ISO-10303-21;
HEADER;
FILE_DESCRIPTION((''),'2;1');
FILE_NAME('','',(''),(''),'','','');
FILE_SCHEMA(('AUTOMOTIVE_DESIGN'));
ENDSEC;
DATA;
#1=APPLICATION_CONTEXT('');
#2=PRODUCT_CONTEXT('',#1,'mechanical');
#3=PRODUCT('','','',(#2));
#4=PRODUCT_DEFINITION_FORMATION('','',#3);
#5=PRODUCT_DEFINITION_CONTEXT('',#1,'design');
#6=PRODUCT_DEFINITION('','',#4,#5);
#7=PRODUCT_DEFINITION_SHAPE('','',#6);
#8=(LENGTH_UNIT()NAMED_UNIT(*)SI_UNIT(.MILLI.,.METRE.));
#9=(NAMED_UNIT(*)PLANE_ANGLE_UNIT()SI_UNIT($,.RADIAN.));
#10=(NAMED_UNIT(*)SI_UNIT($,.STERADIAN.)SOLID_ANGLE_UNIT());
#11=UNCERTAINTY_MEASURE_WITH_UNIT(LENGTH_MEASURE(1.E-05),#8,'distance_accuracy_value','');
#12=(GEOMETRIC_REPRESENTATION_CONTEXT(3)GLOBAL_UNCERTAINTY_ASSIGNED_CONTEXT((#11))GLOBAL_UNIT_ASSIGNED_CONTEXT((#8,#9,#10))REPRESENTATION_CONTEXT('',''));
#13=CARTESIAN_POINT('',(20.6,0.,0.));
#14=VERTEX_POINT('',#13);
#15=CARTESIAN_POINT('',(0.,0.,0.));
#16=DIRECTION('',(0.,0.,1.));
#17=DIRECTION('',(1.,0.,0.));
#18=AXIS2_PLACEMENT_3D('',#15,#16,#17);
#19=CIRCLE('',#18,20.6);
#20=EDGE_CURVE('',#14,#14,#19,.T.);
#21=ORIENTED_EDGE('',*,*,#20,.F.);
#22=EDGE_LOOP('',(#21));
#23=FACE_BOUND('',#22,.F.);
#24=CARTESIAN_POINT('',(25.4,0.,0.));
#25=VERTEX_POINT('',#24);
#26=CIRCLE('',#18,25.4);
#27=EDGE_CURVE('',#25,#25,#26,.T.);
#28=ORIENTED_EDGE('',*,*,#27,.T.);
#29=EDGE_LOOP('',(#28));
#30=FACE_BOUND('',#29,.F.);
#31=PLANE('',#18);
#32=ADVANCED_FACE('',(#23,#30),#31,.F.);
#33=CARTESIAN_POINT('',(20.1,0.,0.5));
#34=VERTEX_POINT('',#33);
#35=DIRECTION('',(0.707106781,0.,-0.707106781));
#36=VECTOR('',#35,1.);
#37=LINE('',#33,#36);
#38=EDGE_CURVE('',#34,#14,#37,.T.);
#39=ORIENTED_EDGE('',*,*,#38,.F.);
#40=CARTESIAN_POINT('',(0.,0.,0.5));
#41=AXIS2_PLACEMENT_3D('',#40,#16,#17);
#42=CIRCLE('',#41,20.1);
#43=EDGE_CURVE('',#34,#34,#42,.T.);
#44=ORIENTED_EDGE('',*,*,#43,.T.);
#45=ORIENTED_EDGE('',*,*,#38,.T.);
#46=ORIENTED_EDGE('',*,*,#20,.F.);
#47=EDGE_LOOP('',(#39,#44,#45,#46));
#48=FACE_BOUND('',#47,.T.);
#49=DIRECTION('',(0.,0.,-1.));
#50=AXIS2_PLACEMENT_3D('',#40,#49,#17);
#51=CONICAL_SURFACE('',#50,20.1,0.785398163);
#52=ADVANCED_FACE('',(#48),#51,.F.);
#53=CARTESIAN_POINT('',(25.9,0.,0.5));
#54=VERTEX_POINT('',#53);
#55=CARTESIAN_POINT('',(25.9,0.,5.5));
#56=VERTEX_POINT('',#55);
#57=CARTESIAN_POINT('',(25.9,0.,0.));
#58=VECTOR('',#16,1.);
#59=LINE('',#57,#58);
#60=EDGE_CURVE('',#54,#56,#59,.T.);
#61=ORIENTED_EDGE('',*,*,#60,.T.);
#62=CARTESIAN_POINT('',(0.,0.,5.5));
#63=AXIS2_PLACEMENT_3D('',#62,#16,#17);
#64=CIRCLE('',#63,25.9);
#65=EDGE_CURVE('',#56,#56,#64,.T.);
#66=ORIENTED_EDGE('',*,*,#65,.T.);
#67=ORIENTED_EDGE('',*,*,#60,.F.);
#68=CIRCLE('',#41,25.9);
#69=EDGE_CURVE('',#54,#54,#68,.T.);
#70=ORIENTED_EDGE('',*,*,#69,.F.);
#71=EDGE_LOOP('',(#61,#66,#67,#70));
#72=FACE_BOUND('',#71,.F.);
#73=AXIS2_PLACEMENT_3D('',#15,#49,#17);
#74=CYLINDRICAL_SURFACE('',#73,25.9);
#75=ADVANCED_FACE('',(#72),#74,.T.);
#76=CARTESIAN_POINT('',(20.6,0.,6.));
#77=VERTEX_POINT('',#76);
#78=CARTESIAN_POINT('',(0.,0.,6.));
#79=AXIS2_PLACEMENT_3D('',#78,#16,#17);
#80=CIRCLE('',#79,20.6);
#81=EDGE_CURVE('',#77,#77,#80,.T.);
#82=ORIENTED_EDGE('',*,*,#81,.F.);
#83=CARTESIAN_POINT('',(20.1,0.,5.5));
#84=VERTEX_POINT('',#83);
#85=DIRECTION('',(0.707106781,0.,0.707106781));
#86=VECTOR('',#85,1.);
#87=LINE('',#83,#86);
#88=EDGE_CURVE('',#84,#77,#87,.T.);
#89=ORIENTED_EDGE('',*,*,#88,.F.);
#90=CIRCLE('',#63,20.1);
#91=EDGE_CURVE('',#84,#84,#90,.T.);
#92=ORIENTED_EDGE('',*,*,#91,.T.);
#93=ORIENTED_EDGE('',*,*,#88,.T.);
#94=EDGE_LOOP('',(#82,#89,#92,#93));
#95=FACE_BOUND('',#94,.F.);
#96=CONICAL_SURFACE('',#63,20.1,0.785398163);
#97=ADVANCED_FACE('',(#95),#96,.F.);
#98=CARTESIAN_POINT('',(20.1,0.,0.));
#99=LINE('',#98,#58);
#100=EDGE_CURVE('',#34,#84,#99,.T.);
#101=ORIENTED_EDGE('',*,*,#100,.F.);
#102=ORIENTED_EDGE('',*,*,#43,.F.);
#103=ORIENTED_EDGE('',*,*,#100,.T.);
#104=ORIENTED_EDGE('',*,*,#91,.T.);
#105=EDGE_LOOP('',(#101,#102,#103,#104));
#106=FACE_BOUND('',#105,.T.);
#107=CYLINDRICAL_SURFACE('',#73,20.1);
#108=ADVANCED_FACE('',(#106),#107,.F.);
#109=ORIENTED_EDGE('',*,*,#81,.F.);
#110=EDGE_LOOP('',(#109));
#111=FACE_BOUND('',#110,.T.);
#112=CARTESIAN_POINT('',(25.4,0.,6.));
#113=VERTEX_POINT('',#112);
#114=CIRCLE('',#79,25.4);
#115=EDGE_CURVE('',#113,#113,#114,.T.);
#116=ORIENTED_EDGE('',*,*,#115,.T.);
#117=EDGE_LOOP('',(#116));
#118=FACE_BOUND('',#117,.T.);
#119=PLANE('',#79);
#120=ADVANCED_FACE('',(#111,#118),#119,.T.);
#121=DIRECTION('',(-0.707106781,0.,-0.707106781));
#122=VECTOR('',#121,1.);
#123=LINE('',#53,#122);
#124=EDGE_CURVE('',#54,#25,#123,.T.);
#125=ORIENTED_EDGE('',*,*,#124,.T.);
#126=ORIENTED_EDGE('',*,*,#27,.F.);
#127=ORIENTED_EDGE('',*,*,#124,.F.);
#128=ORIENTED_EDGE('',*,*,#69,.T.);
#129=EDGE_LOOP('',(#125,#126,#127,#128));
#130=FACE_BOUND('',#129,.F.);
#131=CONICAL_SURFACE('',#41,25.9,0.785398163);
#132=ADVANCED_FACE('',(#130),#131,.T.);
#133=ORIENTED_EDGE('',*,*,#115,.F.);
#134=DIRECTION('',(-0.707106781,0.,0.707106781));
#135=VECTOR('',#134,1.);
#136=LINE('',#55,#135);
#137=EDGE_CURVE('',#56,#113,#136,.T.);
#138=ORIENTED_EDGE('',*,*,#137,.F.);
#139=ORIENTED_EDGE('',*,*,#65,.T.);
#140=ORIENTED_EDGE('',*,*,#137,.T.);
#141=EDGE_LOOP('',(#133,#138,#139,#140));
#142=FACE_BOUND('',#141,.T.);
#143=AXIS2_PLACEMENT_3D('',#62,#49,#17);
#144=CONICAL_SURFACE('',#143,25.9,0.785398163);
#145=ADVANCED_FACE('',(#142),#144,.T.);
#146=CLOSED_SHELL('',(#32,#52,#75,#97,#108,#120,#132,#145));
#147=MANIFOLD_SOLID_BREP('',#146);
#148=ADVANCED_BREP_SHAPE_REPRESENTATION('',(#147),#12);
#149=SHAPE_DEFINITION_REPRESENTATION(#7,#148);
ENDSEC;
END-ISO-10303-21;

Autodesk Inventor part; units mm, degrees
ref_plane "YZ Plane" through (0, 0, 0) normal (1, 0, 0) x (0, 1, 0)
ref_plane "XZ Plane" through (0, 0, 0) normal (0, 1, 0) x (-1, 0, 0)
ref_plane "XY Plane" through (0, 0, 0) normal (0, 0, 1) x (1, 0, 0)
sketch "草圖1" plane through (0, 0, 0) normal (0, 0, 1) x (1, 0, 0)
  circle A0 centre (0, 0) radius 20.1
  circle A1 centre (0, 0) radius 25.9
  dimension "d0" = 51.8
  dimension "d1" = 40.2
extrude "擠出1" add sketch "草圖1" along normal blind 6
chamfer "倒角1" distance 0.5 angle 45 4 edges at (-20.1, 0, 6) (-20.1, 0, 0) (-25.9, 0, 6) (-25.9, 0, 0)
properties part number "KE-SP-01"
